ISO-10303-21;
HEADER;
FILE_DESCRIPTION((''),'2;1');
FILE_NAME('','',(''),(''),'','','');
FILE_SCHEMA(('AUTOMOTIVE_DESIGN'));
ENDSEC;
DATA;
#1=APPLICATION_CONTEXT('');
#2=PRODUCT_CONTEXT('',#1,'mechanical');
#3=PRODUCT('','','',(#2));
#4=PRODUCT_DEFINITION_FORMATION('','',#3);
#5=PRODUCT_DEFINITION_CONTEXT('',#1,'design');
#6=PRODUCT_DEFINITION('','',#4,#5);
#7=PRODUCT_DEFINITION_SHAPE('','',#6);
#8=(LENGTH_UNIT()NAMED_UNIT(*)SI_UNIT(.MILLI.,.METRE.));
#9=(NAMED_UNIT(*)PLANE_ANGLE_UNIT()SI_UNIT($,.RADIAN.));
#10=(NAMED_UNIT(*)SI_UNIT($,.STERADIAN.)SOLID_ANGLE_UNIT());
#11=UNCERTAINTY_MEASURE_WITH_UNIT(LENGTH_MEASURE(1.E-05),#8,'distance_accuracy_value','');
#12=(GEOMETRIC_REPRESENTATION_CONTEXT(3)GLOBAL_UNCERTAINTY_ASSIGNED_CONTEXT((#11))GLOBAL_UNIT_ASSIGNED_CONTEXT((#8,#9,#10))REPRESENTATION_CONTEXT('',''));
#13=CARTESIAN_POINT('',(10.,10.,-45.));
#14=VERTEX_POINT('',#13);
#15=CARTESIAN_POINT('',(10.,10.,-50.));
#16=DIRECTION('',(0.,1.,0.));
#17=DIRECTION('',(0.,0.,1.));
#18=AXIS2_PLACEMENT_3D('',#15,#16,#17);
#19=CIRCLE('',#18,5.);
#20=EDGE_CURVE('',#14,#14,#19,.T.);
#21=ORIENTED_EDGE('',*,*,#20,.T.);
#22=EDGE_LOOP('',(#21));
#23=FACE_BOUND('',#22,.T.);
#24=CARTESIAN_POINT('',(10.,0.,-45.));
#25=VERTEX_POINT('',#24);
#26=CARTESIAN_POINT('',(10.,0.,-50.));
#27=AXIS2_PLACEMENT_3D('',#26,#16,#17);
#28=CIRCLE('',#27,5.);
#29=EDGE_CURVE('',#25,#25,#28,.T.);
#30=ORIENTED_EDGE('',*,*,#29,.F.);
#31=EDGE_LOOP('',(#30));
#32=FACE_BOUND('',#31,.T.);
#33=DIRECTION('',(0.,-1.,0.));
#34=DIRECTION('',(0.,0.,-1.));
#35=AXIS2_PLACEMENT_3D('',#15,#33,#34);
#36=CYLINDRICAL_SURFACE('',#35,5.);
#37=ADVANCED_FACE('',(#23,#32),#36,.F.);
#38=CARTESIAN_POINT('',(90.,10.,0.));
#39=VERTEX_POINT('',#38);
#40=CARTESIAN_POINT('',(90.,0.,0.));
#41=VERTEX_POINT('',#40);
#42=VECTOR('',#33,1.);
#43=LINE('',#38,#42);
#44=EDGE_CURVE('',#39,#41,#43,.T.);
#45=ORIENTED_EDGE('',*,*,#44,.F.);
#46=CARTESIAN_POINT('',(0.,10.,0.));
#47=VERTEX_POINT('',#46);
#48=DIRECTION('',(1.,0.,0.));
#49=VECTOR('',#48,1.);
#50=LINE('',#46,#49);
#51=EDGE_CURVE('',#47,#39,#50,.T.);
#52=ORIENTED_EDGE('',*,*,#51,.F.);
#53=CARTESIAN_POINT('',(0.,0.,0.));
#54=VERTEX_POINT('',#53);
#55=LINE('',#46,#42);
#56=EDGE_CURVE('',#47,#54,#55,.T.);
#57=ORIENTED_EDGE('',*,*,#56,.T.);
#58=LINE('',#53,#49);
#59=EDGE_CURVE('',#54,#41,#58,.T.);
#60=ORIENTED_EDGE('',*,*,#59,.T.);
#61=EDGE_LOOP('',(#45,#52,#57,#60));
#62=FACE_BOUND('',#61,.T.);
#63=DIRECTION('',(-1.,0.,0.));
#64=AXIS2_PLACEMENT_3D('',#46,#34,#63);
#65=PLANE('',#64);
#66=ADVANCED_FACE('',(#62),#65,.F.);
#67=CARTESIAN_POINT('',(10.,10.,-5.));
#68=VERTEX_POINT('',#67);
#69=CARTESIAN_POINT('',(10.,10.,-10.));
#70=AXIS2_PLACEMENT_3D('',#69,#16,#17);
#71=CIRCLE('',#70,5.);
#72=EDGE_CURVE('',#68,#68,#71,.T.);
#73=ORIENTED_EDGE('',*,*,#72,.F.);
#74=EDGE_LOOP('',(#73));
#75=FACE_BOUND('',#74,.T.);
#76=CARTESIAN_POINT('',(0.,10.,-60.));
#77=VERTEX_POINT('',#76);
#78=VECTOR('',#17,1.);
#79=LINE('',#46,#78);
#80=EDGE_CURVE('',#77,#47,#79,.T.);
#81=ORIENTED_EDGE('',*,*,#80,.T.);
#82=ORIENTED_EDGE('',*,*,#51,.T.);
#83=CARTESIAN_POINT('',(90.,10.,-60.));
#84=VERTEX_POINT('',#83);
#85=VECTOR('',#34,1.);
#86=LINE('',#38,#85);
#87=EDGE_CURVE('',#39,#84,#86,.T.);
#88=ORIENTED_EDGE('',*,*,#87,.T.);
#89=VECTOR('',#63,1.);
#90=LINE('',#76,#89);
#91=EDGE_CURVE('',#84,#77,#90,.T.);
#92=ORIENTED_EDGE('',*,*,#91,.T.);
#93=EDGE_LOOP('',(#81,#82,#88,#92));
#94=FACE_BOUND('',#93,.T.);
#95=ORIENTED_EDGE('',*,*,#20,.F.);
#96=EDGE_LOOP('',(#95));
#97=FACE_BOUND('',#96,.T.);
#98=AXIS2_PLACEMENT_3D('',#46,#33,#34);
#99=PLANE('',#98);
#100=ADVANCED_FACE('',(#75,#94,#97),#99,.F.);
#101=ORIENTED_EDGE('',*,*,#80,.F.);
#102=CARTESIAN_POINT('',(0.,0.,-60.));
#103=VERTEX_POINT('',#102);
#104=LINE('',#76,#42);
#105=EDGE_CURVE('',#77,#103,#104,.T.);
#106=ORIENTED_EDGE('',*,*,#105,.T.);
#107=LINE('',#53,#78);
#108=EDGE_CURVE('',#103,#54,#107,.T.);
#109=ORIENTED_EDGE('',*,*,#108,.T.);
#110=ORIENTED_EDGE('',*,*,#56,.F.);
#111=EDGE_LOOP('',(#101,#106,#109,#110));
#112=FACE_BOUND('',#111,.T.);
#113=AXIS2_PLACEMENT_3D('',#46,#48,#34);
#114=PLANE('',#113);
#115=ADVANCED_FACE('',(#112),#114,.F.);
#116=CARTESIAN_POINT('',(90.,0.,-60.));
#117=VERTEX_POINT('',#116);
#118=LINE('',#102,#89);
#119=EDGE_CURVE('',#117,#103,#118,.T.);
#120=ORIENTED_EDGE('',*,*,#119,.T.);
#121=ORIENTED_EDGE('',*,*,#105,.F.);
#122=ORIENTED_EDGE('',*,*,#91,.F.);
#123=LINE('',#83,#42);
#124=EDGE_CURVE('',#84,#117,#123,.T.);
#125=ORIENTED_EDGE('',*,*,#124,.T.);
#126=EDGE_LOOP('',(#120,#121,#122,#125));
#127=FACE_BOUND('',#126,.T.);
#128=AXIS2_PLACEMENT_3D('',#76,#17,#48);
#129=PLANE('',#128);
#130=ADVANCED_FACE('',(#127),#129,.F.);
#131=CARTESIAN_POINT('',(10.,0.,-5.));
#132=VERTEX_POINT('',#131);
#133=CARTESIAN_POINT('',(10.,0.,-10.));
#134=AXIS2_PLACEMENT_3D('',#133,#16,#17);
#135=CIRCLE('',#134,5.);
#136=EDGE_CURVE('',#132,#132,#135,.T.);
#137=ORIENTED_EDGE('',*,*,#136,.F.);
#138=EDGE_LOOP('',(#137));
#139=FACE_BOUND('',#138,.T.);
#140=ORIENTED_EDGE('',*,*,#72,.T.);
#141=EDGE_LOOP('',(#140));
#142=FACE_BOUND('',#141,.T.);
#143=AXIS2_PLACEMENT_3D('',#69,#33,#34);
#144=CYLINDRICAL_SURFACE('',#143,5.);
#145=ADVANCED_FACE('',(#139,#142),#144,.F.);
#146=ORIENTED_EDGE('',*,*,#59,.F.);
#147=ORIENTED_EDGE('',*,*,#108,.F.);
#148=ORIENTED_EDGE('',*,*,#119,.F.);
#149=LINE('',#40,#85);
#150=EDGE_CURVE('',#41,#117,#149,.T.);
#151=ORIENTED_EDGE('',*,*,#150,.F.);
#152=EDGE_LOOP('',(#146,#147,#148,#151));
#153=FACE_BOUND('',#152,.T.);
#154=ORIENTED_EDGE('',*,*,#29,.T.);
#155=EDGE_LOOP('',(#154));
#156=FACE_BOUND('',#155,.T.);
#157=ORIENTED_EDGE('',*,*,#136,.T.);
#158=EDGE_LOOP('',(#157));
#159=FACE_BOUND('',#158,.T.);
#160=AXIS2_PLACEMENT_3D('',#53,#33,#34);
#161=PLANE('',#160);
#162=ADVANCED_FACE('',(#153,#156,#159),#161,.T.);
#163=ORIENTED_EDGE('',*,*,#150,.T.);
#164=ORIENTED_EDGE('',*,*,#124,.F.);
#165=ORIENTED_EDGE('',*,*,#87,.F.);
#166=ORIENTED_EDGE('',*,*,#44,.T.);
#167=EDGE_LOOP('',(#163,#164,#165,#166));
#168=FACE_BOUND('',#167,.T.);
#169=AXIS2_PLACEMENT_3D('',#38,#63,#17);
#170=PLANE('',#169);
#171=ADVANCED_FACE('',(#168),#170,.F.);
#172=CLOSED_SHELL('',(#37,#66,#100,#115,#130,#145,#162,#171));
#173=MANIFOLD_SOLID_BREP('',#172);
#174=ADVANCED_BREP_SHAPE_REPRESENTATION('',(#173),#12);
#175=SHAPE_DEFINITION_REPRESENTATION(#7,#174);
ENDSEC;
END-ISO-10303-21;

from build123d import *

# Parameters (mm, degrees)
SZKIC1_W                    = 90
SZKIC1_H                    = 60
SZKIC1_R                    = 5
DODANIE_WYCI_GNI_CIE1_DEPTH = 10


with BuildPart() as part:
    # Szkic1 → Dodanie-wyciągnięcie1 (new body)
    with BuildSketch(Plane(origin=(0, 0, 0), x_dir=(1, 0, 0), z_dir=(0, 1, 0))):
        with Locations((45, 30)):
            Rectangle(SZKIC1_W, SZKIC1_H)
        with Locations(Location((10, 50, 0), (0, 0, 270))):
            Circle(SZKIC1_R, mode=Mode.SUBTRACT)
        with Locations(Location((10, 10, 0), (0, 0, 270))):
            Circle(SZKIC1_R, mode=Mode.SUBTRACT)
    extrude(amount=DODANIE_WYCI_GNI_CIE1_DEPTH)


solid = part.part
